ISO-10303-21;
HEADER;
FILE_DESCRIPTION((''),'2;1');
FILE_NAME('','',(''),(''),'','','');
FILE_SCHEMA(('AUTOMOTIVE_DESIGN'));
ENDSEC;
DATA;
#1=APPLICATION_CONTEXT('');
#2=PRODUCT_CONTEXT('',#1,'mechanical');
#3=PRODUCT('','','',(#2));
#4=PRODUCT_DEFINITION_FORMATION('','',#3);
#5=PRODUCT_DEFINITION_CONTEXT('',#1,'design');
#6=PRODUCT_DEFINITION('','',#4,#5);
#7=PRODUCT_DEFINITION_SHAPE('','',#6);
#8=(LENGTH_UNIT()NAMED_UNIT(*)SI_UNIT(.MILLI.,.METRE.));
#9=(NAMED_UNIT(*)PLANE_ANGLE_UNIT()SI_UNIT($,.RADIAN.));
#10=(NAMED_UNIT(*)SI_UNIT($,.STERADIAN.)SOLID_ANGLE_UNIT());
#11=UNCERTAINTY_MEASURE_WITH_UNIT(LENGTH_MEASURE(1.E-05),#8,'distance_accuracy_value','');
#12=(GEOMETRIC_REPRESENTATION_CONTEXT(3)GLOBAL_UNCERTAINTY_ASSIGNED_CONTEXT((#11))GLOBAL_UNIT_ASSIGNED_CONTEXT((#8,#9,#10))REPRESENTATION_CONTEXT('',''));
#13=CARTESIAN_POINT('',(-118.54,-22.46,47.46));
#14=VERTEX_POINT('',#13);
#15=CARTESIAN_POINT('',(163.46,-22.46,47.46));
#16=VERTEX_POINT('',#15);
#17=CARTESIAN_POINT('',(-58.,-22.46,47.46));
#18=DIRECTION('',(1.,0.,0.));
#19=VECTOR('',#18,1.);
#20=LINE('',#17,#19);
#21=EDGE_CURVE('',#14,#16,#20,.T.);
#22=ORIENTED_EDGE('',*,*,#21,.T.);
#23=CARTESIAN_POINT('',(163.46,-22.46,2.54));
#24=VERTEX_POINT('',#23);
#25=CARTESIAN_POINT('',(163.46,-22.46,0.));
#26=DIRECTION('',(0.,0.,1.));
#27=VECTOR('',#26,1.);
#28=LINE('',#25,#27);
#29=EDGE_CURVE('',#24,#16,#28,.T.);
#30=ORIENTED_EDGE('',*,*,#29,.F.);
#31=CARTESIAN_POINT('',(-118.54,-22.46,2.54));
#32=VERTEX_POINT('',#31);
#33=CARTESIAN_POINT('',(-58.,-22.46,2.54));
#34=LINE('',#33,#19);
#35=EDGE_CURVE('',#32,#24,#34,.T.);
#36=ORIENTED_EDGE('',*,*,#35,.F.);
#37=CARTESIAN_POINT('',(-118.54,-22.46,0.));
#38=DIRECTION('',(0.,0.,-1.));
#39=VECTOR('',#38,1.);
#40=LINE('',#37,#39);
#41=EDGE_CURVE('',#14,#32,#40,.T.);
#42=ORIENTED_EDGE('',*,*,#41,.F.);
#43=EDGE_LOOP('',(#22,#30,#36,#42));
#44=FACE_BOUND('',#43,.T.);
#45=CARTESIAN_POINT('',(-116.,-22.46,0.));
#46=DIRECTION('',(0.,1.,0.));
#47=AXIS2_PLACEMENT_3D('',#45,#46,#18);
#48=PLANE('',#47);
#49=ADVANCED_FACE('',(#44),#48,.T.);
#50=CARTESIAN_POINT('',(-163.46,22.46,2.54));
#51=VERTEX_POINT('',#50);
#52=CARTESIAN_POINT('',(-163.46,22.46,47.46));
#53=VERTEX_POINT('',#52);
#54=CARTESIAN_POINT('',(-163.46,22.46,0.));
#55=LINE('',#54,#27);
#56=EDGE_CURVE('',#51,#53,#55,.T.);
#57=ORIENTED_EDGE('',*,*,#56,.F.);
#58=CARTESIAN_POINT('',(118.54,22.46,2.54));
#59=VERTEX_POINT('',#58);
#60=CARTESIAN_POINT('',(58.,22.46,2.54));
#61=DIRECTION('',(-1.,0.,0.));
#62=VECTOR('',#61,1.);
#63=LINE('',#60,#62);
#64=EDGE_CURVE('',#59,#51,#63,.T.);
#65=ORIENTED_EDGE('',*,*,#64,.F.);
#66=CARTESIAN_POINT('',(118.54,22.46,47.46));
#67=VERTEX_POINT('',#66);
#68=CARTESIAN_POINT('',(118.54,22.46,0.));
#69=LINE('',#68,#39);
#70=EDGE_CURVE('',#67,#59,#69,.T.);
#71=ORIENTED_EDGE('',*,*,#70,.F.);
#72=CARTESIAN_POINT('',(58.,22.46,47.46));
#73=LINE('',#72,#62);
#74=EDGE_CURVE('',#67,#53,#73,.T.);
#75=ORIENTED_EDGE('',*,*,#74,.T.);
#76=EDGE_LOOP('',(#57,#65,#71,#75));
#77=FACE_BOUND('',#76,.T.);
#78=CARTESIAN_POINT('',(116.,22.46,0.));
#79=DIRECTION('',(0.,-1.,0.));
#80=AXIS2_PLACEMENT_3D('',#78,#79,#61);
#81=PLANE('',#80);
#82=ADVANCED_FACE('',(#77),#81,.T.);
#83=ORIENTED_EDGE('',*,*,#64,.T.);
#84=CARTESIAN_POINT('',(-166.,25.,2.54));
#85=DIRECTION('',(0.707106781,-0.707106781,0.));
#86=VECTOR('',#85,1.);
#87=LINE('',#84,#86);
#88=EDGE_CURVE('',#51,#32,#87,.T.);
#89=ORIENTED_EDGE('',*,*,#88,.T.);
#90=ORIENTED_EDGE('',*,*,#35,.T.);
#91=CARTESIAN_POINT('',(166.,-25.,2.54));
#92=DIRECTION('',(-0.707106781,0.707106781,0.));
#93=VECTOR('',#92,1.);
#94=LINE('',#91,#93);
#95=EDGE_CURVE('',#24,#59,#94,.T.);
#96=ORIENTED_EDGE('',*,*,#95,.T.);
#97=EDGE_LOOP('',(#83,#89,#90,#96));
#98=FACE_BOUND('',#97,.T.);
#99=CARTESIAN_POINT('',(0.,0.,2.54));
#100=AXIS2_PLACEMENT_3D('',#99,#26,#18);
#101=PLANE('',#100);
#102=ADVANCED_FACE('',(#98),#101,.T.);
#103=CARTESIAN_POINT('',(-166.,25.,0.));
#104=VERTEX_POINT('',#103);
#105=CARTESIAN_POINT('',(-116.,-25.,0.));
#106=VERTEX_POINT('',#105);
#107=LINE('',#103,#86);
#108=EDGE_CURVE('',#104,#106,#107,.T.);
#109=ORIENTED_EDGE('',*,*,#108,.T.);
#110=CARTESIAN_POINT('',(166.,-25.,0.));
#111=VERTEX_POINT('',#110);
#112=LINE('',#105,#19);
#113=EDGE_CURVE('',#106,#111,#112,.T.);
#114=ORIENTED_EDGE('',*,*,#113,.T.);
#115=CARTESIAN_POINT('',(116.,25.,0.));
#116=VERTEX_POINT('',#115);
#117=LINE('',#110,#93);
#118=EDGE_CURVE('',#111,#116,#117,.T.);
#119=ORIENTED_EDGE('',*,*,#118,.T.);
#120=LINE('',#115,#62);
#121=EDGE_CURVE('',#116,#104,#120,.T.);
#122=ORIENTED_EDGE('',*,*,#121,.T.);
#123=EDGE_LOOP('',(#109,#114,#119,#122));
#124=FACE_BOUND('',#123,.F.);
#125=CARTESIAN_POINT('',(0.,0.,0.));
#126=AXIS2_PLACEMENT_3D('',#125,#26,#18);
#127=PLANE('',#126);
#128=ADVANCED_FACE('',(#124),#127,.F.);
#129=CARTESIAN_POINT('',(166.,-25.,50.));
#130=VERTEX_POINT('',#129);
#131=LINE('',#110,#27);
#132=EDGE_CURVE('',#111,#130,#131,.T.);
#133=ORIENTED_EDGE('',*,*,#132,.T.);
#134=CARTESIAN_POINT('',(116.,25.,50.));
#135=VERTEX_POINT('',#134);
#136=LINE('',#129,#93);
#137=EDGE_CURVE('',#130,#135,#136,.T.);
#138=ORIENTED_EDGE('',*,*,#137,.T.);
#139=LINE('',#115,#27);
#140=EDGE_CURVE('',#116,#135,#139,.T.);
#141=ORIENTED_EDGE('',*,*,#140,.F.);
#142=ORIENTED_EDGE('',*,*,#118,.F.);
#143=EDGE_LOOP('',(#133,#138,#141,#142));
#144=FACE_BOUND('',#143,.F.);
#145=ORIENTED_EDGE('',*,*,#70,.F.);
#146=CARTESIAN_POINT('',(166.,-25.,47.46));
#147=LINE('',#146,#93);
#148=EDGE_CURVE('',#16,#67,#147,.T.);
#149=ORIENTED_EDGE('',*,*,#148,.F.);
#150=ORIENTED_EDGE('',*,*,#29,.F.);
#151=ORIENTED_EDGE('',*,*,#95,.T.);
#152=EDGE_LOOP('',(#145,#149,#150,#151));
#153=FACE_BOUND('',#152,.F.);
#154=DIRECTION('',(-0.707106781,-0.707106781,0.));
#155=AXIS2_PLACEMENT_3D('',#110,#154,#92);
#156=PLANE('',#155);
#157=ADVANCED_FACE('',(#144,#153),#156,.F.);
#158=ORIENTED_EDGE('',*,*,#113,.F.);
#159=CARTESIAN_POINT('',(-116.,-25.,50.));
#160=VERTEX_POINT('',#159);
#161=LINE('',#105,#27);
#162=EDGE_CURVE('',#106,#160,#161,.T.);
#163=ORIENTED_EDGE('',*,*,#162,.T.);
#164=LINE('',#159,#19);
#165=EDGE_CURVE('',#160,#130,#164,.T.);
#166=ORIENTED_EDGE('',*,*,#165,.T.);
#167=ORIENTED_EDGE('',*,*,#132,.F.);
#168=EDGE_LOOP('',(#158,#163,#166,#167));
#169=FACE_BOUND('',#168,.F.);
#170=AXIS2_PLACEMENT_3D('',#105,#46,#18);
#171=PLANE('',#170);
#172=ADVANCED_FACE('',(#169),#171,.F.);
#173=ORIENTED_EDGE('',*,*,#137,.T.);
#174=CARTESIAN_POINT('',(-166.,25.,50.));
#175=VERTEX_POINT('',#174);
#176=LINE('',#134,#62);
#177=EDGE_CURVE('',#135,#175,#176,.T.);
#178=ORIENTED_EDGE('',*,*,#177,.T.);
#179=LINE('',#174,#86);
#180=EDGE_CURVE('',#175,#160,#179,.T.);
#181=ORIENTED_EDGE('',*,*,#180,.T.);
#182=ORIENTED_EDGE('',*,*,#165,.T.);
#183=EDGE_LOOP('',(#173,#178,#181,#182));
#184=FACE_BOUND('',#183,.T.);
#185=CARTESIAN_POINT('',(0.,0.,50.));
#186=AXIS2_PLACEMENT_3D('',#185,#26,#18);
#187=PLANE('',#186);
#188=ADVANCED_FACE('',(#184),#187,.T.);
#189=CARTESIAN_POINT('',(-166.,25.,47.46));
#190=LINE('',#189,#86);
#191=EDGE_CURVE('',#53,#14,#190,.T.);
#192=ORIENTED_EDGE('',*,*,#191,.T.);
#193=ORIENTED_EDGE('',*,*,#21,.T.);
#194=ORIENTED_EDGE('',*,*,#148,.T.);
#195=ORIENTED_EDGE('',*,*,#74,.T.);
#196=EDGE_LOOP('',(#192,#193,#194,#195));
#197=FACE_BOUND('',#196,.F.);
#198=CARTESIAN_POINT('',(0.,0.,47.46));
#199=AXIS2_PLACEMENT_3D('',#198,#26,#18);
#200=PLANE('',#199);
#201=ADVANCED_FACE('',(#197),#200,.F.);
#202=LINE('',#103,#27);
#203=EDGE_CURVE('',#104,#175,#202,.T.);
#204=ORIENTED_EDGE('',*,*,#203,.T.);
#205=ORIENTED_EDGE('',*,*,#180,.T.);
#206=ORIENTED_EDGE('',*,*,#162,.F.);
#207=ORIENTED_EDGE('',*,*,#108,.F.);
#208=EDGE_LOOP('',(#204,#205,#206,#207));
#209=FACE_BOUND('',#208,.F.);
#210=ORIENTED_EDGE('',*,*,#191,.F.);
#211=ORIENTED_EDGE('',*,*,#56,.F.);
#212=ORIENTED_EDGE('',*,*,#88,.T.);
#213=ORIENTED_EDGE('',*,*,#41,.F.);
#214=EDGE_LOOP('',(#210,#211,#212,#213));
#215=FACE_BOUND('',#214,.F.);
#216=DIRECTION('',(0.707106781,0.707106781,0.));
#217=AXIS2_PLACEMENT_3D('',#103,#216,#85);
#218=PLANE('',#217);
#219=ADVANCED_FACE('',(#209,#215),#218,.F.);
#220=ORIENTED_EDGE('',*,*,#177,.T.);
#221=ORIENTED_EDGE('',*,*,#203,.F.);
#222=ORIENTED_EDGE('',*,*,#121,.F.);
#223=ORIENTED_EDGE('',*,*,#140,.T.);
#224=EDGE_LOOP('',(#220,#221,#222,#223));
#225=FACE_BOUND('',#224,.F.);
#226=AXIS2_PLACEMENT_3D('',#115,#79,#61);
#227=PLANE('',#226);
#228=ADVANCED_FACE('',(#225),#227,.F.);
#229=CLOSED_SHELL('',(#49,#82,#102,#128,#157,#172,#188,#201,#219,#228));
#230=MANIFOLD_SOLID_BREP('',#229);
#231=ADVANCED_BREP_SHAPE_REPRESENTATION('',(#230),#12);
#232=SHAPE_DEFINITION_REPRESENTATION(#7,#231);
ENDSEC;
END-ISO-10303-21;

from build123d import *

# Parameters (mm, degrees)
F0_W     = 232
F0_H     = 50
F1_DEPTH = 50
F2_T     = -2.54


with BuildPart() as f1:
    # F0 (on Top) → F1 (new body)
    with BuildSketch(Plane.XY):
        Rectangle(F0_W, F0_H)
        Polygon((-166, 25), (-116, -25), (-116, 25), align=None)
        Polygon((116, 25), (116, -25), (166, -25), align=None)
    extrude(amount=F1_DEPTH)

    # F2
    f2_openings = [f1.faces().sort_by_distance(p)[0] for p in [
        (-141, 0, 25),
        (141, 0, 25),
    ]]
    offset(amount=F2_T, openings=f2_openings)


solid = f1.part
